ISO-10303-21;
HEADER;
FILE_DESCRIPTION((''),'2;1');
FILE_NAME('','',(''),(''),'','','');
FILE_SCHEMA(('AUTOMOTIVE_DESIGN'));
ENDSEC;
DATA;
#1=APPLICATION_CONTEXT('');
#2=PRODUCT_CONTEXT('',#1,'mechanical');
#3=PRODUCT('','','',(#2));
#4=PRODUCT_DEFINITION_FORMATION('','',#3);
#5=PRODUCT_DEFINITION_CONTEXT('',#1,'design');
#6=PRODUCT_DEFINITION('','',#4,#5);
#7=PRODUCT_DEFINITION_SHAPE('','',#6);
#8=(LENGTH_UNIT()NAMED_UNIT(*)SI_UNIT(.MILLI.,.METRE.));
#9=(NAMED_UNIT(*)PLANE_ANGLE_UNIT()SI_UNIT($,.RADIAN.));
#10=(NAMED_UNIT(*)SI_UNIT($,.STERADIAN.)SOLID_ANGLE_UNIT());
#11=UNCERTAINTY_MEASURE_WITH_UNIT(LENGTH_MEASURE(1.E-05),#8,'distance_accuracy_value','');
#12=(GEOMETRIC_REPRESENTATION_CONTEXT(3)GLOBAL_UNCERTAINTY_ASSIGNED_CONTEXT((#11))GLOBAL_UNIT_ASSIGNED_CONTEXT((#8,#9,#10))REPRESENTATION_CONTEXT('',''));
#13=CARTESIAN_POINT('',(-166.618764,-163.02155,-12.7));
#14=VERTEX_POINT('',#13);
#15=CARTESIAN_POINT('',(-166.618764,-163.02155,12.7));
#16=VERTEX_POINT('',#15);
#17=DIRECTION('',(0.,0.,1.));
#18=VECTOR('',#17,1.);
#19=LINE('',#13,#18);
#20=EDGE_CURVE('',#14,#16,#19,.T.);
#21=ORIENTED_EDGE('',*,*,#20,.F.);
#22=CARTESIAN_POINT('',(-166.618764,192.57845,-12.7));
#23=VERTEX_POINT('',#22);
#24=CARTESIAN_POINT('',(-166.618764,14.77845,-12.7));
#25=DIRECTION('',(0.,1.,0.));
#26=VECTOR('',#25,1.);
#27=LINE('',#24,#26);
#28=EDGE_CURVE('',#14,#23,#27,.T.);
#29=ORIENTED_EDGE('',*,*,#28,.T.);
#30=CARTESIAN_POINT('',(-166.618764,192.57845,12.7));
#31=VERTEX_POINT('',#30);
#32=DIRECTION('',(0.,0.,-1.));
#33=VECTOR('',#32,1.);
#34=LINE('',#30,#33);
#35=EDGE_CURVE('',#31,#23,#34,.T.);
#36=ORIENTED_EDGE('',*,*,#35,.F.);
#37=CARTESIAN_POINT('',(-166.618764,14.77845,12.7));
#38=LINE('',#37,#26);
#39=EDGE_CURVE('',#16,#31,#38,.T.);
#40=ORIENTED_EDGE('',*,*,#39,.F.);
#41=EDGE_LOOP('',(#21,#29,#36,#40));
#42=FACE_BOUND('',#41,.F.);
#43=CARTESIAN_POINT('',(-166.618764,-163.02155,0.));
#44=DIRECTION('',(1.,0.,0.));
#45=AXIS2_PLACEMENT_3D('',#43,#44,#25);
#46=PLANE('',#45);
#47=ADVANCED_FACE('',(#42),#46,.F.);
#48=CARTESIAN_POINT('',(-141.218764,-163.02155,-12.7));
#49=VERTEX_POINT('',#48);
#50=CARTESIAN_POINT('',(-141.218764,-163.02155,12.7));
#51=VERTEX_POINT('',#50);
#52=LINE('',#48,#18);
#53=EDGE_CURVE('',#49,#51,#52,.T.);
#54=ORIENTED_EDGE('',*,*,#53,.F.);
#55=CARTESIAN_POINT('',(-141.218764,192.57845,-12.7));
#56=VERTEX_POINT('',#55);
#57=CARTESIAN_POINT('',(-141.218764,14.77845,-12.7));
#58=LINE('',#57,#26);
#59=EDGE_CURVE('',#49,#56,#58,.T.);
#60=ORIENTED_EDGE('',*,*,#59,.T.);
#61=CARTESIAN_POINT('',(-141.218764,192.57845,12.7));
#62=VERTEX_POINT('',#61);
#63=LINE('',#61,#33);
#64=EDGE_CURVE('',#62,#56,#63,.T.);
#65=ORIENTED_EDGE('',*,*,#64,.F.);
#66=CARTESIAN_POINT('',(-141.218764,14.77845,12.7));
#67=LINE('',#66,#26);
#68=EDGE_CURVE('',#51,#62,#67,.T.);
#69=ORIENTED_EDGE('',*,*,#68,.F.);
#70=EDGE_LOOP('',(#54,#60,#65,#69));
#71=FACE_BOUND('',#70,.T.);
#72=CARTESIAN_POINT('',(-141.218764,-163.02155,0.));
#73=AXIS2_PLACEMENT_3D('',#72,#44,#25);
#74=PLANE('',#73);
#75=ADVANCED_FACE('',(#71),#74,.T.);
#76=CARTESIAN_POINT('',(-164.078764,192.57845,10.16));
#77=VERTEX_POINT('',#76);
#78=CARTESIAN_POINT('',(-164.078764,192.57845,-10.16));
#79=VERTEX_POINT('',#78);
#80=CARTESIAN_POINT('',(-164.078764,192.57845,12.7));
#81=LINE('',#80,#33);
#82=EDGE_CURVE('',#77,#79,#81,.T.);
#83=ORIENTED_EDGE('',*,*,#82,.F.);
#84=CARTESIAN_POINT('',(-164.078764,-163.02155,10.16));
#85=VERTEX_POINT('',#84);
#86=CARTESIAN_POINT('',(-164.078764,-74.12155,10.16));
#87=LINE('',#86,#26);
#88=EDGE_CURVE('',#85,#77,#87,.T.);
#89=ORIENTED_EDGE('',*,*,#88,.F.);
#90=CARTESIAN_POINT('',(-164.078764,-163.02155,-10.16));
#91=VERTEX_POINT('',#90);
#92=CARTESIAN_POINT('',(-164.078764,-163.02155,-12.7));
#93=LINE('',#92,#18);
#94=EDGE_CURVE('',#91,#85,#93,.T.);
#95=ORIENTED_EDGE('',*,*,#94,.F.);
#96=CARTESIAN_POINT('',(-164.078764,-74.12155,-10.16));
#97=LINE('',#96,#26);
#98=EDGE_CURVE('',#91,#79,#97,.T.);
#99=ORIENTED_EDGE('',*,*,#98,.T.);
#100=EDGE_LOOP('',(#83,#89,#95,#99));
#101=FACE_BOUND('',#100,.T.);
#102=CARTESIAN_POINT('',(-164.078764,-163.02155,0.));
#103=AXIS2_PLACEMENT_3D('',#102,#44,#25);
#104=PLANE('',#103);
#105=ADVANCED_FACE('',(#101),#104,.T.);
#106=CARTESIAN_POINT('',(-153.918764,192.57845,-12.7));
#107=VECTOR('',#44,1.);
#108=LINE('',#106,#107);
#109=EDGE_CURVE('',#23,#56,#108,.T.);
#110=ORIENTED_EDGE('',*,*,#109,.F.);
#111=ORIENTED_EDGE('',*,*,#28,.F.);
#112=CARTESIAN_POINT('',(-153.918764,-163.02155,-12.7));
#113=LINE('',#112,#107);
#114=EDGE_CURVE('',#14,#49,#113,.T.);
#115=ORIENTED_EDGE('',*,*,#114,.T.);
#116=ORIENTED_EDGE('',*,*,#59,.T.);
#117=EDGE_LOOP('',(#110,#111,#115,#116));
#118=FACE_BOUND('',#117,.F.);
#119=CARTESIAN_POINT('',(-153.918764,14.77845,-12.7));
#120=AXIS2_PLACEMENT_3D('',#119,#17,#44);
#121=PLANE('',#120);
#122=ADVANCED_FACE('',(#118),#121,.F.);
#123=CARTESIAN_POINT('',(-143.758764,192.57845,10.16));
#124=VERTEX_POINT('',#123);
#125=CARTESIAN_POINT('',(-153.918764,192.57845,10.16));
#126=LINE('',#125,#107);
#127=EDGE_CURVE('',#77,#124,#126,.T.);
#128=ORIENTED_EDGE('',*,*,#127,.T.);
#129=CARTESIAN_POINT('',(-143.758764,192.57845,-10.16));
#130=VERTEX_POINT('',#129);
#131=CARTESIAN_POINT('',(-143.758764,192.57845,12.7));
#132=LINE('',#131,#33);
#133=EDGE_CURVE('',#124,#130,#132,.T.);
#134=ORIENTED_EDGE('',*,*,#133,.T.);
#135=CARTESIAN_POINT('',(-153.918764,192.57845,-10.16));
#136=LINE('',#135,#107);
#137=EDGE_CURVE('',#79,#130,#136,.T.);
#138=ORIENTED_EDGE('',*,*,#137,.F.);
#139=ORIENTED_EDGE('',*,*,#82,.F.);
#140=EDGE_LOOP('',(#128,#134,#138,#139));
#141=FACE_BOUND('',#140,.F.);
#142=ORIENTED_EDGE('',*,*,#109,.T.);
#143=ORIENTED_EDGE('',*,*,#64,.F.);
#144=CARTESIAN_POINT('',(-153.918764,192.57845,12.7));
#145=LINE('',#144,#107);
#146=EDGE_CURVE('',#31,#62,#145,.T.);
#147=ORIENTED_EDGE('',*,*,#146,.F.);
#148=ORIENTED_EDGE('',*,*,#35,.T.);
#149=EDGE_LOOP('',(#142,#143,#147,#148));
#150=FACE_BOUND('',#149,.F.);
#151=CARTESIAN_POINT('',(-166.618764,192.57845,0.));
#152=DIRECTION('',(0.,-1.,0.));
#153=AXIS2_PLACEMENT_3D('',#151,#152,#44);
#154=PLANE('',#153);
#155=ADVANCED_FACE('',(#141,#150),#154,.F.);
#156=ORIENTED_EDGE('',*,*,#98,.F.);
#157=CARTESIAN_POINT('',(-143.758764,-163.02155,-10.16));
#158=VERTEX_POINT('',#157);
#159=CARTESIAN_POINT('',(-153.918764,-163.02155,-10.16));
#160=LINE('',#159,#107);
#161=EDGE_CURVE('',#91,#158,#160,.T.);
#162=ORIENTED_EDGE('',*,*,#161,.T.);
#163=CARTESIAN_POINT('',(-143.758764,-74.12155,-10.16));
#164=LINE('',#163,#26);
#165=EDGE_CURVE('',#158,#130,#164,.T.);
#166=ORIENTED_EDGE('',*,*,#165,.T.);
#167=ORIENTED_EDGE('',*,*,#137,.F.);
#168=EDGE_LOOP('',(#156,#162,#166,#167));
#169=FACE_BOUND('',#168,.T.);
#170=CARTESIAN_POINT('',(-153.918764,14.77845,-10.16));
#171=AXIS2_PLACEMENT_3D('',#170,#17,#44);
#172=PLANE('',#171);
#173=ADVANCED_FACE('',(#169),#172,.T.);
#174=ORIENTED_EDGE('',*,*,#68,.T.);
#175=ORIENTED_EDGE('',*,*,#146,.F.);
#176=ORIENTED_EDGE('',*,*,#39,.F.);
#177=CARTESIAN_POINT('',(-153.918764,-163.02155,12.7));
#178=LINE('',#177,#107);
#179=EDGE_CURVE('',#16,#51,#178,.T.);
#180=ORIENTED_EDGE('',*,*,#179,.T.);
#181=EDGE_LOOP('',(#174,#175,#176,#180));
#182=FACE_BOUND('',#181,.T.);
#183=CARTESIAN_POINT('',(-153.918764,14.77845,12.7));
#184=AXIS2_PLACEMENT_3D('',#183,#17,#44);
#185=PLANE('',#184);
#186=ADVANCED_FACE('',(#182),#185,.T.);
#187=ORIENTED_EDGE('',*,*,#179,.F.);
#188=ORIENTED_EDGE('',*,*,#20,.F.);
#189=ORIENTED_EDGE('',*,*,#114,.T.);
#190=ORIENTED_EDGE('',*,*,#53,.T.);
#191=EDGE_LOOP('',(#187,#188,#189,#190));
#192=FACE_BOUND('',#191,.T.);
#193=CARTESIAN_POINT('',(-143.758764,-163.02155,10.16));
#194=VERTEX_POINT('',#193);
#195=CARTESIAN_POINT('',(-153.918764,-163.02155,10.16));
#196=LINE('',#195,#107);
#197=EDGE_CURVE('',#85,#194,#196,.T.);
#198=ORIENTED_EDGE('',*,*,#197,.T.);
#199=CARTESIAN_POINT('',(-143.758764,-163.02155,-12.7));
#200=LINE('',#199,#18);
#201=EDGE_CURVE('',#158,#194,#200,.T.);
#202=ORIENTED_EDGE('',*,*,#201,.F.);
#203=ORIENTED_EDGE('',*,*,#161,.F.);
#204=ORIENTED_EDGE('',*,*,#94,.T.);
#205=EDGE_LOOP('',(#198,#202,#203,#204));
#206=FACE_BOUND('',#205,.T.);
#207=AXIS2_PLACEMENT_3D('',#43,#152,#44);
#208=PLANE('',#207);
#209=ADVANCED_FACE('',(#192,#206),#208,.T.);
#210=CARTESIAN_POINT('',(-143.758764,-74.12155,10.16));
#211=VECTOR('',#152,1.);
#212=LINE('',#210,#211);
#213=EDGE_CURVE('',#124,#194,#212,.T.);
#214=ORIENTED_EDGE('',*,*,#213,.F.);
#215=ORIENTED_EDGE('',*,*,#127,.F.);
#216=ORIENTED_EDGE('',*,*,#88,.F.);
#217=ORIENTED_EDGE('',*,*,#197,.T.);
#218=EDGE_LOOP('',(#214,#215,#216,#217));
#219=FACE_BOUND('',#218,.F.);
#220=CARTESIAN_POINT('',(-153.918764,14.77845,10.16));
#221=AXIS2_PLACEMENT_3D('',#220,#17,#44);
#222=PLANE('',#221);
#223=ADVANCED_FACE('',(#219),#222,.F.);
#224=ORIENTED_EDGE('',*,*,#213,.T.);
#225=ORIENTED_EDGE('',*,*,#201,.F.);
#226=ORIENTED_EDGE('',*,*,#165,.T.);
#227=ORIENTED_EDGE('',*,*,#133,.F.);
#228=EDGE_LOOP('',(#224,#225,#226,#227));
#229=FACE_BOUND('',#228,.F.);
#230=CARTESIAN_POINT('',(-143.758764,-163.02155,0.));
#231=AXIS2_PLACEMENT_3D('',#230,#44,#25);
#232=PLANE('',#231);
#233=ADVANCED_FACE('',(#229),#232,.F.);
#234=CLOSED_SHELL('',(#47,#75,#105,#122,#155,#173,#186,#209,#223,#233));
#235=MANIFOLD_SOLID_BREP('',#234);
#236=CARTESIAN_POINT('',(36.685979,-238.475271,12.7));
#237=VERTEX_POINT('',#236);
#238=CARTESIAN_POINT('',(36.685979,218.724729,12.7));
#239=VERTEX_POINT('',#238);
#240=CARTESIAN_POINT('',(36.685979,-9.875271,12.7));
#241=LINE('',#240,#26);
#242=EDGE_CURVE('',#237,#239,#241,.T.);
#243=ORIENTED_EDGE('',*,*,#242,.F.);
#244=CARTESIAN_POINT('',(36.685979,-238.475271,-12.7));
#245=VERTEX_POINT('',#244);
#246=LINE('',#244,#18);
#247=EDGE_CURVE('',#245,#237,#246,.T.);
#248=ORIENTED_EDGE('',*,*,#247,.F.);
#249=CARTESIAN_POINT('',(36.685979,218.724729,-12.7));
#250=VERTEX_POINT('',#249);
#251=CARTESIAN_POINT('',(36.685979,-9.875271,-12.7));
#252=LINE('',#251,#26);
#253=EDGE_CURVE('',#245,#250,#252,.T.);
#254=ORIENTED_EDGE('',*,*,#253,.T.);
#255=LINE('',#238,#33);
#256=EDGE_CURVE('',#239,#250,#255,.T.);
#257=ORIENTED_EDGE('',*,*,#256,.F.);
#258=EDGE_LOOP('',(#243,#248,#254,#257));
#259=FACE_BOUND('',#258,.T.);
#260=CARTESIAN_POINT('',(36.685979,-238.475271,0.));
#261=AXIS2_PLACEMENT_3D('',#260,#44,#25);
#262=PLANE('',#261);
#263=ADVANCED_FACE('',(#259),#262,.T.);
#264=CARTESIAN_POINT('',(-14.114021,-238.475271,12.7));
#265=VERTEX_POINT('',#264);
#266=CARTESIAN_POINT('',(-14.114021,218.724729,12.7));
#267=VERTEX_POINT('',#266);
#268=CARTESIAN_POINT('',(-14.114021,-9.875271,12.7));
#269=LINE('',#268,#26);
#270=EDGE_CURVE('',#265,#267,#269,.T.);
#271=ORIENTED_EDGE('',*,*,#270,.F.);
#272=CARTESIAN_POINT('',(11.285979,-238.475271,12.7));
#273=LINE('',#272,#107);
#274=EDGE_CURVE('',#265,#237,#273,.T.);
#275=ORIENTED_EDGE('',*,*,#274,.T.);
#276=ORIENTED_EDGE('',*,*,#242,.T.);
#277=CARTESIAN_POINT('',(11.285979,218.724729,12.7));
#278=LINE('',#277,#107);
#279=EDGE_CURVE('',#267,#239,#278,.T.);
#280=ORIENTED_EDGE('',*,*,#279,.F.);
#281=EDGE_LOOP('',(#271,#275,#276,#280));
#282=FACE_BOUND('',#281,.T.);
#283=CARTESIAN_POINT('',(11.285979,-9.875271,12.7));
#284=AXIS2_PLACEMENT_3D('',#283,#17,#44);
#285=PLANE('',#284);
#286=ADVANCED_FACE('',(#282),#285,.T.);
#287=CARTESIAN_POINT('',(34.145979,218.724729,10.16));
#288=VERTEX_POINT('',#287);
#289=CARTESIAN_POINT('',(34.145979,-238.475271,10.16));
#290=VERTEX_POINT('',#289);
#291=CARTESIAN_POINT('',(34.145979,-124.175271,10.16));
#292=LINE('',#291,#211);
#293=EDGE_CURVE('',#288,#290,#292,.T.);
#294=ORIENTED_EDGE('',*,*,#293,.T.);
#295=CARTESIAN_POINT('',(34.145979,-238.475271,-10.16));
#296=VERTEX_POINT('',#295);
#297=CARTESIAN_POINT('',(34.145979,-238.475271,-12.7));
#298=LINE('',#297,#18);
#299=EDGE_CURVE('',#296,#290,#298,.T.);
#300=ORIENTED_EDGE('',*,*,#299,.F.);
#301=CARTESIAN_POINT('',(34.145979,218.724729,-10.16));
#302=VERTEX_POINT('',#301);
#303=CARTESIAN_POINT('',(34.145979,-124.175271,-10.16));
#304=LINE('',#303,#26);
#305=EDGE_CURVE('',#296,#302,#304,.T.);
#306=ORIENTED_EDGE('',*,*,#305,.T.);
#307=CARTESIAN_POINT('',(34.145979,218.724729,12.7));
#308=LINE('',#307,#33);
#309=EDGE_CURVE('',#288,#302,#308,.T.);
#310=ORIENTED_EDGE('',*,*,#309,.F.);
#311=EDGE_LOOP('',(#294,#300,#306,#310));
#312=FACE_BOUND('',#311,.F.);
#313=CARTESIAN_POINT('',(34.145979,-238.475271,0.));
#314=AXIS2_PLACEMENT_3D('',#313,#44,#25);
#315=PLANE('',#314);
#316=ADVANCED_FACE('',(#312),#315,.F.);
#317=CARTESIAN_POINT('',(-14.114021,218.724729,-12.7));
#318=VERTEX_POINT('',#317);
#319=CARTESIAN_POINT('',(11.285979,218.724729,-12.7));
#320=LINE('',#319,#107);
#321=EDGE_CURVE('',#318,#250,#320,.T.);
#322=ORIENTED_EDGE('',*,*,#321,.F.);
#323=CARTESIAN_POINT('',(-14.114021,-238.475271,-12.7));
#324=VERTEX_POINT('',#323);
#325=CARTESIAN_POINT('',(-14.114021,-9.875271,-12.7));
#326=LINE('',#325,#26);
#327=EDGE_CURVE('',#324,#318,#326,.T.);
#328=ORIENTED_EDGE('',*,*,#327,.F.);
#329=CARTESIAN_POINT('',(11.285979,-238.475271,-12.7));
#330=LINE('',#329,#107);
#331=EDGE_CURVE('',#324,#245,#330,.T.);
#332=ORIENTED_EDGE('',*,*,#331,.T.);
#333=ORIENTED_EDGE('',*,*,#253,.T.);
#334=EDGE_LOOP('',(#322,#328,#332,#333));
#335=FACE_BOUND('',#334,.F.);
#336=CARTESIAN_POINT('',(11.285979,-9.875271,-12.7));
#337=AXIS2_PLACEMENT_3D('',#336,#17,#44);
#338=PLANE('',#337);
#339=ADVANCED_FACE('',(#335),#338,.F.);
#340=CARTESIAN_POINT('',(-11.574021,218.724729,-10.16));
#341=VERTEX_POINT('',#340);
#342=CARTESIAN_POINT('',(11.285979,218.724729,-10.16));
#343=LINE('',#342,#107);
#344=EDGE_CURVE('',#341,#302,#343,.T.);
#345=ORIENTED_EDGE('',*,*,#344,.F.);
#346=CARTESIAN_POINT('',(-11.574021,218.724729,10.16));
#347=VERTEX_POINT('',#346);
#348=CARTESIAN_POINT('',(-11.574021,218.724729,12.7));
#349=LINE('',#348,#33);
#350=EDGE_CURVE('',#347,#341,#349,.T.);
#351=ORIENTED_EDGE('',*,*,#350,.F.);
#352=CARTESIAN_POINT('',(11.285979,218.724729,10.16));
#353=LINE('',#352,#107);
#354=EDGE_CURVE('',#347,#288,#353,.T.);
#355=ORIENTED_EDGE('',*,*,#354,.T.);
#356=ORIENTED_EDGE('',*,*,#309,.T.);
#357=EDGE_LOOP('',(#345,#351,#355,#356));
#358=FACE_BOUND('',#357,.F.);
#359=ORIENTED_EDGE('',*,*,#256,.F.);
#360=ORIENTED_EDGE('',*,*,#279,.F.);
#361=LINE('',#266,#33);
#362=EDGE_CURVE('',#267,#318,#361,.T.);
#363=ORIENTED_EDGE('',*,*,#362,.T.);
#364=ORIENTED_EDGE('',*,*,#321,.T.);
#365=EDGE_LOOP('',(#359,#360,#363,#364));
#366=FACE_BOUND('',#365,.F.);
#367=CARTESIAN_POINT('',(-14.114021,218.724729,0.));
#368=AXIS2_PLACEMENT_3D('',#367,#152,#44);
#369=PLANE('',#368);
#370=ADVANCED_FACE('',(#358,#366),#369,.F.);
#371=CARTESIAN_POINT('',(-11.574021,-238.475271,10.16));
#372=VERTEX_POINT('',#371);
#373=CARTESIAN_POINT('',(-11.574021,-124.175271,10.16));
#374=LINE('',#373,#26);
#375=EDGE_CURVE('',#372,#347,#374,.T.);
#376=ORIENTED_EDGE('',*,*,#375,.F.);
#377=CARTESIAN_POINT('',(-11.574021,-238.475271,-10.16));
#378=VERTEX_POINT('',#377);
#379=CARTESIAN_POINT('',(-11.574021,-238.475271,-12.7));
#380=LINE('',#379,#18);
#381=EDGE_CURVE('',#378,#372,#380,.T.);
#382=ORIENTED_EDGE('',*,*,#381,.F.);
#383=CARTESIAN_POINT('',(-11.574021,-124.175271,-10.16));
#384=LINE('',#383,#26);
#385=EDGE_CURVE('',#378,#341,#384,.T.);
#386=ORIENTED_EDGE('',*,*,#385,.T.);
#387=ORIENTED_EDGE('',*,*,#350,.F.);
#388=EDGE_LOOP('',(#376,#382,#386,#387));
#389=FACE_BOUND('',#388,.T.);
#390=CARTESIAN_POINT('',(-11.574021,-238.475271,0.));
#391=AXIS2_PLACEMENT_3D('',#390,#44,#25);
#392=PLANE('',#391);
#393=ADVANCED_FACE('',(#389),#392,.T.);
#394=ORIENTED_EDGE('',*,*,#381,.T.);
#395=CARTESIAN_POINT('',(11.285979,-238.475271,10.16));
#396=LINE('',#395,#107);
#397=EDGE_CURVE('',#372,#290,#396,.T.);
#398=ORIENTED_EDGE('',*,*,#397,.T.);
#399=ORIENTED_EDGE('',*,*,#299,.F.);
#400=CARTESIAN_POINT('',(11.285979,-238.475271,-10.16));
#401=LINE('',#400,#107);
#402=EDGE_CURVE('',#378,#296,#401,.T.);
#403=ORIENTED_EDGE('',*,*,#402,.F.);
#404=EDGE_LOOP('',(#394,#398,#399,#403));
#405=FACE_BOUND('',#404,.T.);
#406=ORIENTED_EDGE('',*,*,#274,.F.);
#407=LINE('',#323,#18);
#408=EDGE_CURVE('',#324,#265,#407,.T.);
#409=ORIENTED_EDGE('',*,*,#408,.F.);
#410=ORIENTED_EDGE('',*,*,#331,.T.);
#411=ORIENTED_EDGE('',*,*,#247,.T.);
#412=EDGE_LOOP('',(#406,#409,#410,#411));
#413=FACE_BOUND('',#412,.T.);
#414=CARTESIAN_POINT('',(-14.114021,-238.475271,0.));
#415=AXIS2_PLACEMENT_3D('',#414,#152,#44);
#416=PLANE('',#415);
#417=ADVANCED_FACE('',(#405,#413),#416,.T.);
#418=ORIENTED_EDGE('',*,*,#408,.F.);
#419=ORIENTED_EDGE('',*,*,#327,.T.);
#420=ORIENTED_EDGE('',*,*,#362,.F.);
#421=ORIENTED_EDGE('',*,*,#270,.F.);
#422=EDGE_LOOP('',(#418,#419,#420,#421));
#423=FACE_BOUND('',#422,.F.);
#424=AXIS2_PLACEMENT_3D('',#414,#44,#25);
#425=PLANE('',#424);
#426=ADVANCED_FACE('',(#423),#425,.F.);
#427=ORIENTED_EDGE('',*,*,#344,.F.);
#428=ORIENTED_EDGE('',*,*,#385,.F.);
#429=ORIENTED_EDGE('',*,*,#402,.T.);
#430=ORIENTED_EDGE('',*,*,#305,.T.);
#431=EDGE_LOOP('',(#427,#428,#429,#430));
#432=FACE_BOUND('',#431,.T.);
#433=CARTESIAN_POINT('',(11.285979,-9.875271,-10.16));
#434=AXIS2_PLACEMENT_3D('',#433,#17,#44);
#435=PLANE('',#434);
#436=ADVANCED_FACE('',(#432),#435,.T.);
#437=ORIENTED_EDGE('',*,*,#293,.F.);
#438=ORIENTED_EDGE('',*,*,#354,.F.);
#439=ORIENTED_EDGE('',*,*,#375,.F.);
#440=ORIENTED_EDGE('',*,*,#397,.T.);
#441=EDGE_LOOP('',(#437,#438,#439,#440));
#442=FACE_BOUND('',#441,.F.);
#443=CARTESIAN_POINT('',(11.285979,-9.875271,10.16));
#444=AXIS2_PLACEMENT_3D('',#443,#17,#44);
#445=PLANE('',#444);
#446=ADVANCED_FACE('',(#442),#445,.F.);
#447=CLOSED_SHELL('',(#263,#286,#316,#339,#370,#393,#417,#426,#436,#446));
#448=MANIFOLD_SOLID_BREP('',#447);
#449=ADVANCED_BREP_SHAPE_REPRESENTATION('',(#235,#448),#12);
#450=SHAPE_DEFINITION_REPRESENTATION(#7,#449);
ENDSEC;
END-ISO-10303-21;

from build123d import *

# Parameters (mm, degrees)
F0_W     = 50.8
F0_H     = 457.2
F1_DEPTH = 12.7
F2_T     = -2.54
F3_W     = 25.4
F3_H     = 355.6
F4_DEPTH = 12.7
F5_T     = -2.54


with BuildPart() as f1:
    # F0 (on Top) → F1 (new body, symmetric)
    with BuildSketch(Plane.XY):
        with Locations((11.285979, -9.875271)):
            Rectangle(F0_W, F0_H)
    extrude(amount=F1_DEPTH, both=True)

    # F2
    f2_openings = [f1.faces().sort_by_distance(p)[0] for p in [
        (11.285979, 218.724729, 0),
        (11.285979, -238.475271, 0),
    ]]
    offset(amount=F2_T, openings=f2_openings)


with BuildPart() as f4:
    # F3 (on Top) → F4 (new body, symmetric)
    with BuildSketch(Plane.XY):
        with Locations((-153.918764, 14.77845)):
            Rectangle(F3_W, F3_H)
    extrude(amount=F4_DEPTH, both=True)

    # F5
    f5_openings = [f4.faces().sort_by_distance(p)[0] for p in [
        (-153.918764, 192.57845, 0),
        (-153.918764, -163.02155, 0),
    ]]
    offset(amount=F5_T, openings=f5_openings)


solid = Compound([f1.part, f4.part])
